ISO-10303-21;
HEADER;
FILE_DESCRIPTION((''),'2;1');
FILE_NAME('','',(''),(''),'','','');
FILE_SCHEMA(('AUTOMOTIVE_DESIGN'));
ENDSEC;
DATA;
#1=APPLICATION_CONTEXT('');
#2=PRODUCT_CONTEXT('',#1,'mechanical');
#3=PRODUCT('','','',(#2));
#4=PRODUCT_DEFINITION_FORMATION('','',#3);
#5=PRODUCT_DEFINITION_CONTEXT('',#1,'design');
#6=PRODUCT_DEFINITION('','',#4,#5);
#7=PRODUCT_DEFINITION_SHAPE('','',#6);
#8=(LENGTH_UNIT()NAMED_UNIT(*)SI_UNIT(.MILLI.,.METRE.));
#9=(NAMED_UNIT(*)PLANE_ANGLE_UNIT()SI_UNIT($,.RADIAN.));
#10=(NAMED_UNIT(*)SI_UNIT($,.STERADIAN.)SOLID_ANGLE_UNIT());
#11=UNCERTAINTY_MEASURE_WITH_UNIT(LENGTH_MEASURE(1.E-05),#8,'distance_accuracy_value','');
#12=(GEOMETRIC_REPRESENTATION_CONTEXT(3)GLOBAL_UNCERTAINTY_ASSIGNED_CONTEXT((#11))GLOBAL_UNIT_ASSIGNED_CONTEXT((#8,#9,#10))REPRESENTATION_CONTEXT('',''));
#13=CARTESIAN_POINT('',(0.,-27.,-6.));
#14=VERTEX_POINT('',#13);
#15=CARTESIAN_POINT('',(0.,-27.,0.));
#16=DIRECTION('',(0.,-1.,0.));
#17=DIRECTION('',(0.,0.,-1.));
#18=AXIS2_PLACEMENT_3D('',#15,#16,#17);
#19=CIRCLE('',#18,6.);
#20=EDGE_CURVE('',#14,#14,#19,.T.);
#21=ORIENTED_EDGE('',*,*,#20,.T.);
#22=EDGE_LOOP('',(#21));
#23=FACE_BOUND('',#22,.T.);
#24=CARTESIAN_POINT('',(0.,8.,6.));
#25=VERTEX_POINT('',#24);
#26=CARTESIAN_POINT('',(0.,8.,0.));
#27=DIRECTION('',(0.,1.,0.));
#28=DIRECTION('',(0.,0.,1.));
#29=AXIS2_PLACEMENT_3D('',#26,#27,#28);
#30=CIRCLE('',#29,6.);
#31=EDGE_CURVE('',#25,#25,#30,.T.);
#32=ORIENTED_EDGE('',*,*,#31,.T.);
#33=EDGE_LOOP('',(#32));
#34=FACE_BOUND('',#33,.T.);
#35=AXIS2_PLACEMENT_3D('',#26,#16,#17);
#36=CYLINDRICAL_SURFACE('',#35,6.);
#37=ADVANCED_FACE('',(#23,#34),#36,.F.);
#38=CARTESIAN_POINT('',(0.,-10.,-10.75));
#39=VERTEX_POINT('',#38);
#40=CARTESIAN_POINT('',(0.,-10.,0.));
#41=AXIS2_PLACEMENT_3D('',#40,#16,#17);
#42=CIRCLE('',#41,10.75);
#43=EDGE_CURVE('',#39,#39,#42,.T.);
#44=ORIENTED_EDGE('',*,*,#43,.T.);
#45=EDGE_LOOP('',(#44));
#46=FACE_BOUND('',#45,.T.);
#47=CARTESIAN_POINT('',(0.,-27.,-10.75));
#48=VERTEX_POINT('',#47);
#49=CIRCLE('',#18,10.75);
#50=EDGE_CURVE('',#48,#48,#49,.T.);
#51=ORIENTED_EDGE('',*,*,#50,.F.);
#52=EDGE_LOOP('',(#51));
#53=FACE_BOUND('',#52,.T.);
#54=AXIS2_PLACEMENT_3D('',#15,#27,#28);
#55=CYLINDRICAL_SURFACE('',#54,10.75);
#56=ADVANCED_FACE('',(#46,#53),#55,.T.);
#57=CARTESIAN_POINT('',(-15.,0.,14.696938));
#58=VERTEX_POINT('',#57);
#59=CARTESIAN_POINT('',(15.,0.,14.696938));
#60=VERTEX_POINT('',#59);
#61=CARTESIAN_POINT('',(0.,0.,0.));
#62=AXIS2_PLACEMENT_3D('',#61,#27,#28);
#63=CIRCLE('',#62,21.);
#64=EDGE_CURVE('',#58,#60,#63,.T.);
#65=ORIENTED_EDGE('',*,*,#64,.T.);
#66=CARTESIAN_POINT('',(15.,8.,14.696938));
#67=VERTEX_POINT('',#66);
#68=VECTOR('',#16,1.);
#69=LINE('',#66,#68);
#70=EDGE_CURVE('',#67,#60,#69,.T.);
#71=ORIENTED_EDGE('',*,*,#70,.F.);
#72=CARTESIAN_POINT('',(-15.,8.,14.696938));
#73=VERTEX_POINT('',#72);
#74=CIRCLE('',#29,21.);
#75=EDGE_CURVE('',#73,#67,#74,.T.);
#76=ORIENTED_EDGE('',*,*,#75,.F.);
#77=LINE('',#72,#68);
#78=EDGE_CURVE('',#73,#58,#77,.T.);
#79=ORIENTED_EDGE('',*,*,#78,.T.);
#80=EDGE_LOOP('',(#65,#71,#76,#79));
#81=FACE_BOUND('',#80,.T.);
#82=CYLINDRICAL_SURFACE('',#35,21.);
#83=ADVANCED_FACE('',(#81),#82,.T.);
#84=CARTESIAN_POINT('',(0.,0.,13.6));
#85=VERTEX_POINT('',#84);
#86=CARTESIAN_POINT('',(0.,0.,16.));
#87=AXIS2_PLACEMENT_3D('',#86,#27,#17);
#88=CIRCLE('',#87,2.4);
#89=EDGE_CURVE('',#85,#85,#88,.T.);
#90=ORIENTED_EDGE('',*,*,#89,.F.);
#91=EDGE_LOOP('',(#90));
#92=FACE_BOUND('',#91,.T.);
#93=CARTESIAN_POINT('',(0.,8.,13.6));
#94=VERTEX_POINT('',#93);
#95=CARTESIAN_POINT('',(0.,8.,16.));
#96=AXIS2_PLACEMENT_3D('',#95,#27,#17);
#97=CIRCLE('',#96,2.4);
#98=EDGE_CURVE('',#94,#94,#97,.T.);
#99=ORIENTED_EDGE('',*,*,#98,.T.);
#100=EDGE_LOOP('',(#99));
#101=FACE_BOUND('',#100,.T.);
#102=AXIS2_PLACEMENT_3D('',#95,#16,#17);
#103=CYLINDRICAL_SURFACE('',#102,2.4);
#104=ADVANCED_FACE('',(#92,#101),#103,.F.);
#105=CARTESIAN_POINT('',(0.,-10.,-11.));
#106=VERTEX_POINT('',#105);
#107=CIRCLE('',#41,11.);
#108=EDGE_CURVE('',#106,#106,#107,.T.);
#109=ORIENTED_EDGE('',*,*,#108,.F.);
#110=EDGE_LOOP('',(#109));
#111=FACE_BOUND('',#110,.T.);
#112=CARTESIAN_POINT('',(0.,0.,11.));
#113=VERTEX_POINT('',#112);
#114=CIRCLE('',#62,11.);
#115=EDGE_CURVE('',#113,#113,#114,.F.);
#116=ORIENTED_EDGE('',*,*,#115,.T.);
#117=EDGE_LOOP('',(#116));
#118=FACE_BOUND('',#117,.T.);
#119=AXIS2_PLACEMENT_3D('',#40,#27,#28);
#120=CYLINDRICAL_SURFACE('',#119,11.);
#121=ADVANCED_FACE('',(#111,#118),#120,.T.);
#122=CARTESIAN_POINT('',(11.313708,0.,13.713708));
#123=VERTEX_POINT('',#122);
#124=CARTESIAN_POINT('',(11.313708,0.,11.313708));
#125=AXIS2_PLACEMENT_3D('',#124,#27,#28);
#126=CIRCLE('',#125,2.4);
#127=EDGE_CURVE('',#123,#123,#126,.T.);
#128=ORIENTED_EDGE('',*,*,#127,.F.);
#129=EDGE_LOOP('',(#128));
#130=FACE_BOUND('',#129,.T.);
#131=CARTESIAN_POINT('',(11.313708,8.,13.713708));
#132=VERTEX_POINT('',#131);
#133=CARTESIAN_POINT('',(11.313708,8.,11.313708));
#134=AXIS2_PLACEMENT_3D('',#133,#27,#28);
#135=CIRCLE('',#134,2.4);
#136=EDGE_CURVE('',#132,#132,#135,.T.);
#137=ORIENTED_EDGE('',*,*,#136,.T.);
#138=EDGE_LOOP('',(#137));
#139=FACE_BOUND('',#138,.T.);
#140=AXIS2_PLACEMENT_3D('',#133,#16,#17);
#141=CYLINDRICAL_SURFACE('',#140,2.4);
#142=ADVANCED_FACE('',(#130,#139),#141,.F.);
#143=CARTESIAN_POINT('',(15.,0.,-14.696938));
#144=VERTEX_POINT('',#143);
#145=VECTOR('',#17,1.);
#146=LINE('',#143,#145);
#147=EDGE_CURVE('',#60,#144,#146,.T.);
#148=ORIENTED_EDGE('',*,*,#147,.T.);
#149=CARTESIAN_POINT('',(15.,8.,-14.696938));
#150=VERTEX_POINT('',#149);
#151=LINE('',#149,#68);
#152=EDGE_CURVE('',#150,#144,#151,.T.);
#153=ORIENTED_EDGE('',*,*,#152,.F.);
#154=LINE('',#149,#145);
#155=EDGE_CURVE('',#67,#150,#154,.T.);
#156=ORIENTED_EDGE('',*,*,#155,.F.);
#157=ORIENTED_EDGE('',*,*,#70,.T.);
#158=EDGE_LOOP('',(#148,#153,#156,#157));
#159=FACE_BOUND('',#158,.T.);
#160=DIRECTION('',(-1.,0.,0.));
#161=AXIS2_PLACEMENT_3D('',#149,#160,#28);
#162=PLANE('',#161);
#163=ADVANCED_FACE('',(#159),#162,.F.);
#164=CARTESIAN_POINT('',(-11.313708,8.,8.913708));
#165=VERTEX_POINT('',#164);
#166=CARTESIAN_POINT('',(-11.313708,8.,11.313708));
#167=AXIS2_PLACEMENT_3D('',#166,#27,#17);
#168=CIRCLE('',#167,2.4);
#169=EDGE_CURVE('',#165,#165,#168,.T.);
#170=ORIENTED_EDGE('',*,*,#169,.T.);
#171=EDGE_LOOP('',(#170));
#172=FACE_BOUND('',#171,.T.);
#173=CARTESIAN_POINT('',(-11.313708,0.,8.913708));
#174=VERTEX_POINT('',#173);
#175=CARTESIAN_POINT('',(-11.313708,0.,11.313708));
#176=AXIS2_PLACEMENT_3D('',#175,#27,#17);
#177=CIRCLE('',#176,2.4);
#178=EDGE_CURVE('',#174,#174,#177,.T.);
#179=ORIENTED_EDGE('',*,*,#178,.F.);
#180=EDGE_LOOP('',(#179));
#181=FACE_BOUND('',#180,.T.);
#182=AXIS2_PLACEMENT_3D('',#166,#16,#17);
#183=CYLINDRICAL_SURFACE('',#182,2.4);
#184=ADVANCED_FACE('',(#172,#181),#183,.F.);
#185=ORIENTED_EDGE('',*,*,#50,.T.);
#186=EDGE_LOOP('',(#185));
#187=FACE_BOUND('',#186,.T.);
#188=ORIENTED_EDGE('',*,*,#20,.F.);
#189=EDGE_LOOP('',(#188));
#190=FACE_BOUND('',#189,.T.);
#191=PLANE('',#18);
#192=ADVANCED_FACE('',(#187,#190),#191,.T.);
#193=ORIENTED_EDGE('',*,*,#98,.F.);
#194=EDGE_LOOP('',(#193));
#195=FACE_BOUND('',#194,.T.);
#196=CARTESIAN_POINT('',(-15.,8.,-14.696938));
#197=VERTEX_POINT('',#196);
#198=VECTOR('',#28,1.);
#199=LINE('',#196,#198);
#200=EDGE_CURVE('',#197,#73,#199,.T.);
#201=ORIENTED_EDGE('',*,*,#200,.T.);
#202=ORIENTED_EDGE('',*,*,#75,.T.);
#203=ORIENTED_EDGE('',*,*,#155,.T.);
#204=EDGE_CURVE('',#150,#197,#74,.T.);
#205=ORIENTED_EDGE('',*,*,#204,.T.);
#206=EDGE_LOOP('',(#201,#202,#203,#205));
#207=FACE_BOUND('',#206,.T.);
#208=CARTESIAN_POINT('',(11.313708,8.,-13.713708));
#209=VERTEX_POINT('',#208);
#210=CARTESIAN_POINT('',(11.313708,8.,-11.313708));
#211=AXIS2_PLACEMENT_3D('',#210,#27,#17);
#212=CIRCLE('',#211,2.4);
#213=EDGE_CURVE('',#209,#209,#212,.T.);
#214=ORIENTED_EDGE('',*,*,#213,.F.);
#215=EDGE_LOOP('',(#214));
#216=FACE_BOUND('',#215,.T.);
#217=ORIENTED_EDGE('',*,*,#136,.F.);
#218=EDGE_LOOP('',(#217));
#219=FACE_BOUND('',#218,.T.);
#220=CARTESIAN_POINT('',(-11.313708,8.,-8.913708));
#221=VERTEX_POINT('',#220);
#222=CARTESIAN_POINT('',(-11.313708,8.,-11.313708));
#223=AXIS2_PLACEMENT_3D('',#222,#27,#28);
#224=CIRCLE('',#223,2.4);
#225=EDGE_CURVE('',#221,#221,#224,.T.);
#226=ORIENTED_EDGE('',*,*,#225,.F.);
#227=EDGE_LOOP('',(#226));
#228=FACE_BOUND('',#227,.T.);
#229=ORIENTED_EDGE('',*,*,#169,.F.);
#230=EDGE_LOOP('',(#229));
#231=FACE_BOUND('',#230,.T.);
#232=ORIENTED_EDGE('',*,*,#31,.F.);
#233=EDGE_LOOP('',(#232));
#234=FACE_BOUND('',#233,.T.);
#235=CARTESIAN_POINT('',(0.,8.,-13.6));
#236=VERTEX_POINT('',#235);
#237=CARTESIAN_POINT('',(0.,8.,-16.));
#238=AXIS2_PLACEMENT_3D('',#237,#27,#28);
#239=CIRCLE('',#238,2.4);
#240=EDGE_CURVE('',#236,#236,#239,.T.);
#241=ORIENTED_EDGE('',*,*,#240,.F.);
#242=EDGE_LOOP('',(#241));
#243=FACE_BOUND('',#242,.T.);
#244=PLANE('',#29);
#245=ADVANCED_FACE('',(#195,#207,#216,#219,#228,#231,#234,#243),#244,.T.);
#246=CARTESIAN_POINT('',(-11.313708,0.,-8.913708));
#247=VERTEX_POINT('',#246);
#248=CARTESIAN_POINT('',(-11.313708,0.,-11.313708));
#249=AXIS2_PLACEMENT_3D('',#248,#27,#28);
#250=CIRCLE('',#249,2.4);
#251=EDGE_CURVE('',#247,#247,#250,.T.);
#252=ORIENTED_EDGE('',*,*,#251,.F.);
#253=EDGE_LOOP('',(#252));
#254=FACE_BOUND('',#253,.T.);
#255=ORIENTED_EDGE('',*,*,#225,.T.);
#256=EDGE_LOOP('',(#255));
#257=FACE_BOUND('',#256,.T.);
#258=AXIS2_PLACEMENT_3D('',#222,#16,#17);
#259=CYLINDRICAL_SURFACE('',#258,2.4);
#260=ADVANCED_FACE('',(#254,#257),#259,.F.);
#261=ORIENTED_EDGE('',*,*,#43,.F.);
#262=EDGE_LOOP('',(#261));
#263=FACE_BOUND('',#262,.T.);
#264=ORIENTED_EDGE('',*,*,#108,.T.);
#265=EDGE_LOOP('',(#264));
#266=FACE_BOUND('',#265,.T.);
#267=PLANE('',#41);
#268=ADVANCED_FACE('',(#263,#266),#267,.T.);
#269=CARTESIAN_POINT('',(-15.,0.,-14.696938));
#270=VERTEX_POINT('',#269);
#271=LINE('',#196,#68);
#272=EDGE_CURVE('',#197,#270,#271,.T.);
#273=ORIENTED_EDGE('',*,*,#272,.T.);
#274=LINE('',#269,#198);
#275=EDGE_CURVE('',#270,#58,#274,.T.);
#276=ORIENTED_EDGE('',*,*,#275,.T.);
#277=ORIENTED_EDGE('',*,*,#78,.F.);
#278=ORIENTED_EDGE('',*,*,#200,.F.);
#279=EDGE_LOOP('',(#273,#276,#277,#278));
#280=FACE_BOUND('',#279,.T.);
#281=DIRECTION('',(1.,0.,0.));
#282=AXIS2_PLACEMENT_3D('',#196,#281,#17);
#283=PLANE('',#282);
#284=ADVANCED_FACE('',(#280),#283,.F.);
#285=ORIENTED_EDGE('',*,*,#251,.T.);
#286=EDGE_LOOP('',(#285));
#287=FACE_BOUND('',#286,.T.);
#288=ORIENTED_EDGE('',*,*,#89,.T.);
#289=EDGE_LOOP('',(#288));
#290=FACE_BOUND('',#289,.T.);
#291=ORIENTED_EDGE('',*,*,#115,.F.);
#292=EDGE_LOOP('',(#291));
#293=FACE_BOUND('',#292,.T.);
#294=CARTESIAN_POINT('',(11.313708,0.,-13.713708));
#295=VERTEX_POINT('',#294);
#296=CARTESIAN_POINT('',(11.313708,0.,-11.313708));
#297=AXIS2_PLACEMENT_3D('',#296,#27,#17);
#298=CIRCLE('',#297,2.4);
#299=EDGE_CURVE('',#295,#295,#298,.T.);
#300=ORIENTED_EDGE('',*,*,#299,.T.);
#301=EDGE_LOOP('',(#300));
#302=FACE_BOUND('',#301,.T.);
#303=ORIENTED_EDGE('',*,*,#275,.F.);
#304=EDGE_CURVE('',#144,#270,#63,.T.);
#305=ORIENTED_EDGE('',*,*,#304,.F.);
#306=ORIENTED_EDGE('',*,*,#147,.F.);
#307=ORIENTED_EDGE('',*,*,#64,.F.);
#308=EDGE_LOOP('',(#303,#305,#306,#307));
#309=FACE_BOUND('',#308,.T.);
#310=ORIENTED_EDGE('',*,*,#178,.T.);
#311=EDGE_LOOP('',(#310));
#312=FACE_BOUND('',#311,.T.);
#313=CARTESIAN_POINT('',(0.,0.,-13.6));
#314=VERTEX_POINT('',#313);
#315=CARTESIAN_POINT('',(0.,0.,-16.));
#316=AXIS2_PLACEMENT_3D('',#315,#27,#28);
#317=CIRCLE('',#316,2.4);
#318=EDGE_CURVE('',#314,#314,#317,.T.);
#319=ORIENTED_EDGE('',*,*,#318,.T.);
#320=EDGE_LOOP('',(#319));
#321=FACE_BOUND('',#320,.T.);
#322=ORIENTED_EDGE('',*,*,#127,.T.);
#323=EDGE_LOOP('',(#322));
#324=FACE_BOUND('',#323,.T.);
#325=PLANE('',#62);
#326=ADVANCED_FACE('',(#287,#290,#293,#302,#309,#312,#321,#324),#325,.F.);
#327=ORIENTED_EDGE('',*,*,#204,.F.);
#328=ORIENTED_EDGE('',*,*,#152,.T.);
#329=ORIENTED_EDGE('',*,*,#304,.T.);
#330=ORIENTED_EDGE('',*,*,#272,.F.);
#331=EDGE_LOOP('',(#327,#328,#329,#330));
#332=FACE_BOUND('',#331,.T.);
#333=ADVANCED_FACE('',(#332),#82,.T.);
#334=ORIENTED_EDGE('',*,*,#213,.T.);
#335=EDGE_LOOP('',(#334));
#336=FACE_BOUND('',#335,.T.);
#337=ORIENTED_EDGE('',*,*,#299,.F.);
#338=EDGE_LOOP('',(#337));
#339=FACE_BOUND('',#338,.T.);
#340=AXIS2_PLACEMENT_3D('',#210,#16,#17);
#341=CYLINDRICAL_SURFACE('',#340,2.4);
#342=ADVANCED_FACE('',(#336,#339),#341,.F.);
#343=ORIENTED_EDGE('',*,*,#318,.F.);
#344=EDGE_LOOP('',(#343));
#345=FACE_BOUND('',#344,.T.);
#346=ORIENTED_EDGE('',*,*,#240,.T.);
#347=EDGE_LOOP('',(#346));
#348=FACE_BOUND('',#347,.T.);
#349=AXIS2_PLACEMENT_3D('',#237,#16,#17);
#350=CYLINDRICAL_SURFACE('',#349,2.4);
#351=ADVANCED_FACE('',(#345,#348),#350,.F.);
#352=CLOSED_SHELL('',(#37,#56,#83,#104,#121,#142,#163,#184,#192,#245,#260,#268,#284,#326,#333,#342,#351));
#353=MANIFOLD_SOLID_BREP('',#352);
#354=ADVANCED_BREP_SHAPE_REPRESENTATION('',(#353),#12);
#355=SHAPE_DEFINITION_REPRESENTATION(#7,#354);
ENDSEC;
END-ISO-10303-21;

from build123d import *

# Parameters (mm, degrees)
SKETCH1_R           = 6
SKETCH1_R_2         = 2.4
BOSS_EXTRUDE1_DEPTH = 8
SKETCH2_R           = 11
SKETCH2_R_2         = 6
BOSS_EXTRUDE2_DEPTH = 10
SKETCH3_R           = 10.75
SKETCH3_R_2         = 6
BOSS_EXTRUDE3_DEPTH = 17


with BuildPart() as part:
    # Sketch1 → Boss-Extrude1 (new body)
    with BuildSketch(Plane(origin=(0, 0, 0), x_dir=(1, 0, 0), z_dir=(0, 1, 0))):
        with BuildLine():
            Line((-15, 14.696938457), (-15, -14.696938457))
            ThreePointArc((-15, -14.696938457), (0, -21), (15, -14.696938457))
            Line((15, -14.696938457), (15, 14.696938457))
            ThreePointArc((15, 14.696938457), (0, 21), (-15, 14.696938457))
        make_face()
        Circle(SKETCH1_R, mode=Mode.SUBTRACT)
        with Locations((0, 16)):
            Circle(SKETCH1_R_2, mode=Mode.SUBTRACT)
        with Locations((11.313708499, 11.313708499)):
            Circle(SKETCH1_R_2, mode=Mode.SUBTRACT)
        with Locations((-11.313708499, 11.313708499)):
            Circle(SKETCH1_R_2, mode=Mode.SUBTRACT)
        with Locations((11.313708499, -11.313708499)):
            Circle(SKETCH1_R_2, mode=Mode.SUBTRACT)
        with Locations((0, -16)):
            Circle(SKETCH1_R_2, mode=Mode.SUBTRACT)
        with Locations((-11.313708499, -11.313708499)):
            Circle(SKETCH1_R_2, mode=Mode.SUBTRACT)
    extrude(amount=BOSS_EXTRUDE1_DEPTH)

    # Sketch2 → Boss-Extrude2 (add)
    with BuildSketch(Plane.XZ):
        Circle(SKETCH2_R)
        Circle(SKETCH2_R_2, mode=Mode.SUBTRACT)
    extrude(amount=BOSS_EXTRUDE2_DEPTH)

    # Sketch3 → Boss-Extrude3 (add)
    with BuildSketch(Plane.XZ.offset(10)):
        Circle(SKETCH3_R)
        Circle(SKETCH3_R_2, mode=Mode.SUBTRACT)
    extrude(amount=BOSS_EXTRUDE3_DEPTH)


solid = part.part
